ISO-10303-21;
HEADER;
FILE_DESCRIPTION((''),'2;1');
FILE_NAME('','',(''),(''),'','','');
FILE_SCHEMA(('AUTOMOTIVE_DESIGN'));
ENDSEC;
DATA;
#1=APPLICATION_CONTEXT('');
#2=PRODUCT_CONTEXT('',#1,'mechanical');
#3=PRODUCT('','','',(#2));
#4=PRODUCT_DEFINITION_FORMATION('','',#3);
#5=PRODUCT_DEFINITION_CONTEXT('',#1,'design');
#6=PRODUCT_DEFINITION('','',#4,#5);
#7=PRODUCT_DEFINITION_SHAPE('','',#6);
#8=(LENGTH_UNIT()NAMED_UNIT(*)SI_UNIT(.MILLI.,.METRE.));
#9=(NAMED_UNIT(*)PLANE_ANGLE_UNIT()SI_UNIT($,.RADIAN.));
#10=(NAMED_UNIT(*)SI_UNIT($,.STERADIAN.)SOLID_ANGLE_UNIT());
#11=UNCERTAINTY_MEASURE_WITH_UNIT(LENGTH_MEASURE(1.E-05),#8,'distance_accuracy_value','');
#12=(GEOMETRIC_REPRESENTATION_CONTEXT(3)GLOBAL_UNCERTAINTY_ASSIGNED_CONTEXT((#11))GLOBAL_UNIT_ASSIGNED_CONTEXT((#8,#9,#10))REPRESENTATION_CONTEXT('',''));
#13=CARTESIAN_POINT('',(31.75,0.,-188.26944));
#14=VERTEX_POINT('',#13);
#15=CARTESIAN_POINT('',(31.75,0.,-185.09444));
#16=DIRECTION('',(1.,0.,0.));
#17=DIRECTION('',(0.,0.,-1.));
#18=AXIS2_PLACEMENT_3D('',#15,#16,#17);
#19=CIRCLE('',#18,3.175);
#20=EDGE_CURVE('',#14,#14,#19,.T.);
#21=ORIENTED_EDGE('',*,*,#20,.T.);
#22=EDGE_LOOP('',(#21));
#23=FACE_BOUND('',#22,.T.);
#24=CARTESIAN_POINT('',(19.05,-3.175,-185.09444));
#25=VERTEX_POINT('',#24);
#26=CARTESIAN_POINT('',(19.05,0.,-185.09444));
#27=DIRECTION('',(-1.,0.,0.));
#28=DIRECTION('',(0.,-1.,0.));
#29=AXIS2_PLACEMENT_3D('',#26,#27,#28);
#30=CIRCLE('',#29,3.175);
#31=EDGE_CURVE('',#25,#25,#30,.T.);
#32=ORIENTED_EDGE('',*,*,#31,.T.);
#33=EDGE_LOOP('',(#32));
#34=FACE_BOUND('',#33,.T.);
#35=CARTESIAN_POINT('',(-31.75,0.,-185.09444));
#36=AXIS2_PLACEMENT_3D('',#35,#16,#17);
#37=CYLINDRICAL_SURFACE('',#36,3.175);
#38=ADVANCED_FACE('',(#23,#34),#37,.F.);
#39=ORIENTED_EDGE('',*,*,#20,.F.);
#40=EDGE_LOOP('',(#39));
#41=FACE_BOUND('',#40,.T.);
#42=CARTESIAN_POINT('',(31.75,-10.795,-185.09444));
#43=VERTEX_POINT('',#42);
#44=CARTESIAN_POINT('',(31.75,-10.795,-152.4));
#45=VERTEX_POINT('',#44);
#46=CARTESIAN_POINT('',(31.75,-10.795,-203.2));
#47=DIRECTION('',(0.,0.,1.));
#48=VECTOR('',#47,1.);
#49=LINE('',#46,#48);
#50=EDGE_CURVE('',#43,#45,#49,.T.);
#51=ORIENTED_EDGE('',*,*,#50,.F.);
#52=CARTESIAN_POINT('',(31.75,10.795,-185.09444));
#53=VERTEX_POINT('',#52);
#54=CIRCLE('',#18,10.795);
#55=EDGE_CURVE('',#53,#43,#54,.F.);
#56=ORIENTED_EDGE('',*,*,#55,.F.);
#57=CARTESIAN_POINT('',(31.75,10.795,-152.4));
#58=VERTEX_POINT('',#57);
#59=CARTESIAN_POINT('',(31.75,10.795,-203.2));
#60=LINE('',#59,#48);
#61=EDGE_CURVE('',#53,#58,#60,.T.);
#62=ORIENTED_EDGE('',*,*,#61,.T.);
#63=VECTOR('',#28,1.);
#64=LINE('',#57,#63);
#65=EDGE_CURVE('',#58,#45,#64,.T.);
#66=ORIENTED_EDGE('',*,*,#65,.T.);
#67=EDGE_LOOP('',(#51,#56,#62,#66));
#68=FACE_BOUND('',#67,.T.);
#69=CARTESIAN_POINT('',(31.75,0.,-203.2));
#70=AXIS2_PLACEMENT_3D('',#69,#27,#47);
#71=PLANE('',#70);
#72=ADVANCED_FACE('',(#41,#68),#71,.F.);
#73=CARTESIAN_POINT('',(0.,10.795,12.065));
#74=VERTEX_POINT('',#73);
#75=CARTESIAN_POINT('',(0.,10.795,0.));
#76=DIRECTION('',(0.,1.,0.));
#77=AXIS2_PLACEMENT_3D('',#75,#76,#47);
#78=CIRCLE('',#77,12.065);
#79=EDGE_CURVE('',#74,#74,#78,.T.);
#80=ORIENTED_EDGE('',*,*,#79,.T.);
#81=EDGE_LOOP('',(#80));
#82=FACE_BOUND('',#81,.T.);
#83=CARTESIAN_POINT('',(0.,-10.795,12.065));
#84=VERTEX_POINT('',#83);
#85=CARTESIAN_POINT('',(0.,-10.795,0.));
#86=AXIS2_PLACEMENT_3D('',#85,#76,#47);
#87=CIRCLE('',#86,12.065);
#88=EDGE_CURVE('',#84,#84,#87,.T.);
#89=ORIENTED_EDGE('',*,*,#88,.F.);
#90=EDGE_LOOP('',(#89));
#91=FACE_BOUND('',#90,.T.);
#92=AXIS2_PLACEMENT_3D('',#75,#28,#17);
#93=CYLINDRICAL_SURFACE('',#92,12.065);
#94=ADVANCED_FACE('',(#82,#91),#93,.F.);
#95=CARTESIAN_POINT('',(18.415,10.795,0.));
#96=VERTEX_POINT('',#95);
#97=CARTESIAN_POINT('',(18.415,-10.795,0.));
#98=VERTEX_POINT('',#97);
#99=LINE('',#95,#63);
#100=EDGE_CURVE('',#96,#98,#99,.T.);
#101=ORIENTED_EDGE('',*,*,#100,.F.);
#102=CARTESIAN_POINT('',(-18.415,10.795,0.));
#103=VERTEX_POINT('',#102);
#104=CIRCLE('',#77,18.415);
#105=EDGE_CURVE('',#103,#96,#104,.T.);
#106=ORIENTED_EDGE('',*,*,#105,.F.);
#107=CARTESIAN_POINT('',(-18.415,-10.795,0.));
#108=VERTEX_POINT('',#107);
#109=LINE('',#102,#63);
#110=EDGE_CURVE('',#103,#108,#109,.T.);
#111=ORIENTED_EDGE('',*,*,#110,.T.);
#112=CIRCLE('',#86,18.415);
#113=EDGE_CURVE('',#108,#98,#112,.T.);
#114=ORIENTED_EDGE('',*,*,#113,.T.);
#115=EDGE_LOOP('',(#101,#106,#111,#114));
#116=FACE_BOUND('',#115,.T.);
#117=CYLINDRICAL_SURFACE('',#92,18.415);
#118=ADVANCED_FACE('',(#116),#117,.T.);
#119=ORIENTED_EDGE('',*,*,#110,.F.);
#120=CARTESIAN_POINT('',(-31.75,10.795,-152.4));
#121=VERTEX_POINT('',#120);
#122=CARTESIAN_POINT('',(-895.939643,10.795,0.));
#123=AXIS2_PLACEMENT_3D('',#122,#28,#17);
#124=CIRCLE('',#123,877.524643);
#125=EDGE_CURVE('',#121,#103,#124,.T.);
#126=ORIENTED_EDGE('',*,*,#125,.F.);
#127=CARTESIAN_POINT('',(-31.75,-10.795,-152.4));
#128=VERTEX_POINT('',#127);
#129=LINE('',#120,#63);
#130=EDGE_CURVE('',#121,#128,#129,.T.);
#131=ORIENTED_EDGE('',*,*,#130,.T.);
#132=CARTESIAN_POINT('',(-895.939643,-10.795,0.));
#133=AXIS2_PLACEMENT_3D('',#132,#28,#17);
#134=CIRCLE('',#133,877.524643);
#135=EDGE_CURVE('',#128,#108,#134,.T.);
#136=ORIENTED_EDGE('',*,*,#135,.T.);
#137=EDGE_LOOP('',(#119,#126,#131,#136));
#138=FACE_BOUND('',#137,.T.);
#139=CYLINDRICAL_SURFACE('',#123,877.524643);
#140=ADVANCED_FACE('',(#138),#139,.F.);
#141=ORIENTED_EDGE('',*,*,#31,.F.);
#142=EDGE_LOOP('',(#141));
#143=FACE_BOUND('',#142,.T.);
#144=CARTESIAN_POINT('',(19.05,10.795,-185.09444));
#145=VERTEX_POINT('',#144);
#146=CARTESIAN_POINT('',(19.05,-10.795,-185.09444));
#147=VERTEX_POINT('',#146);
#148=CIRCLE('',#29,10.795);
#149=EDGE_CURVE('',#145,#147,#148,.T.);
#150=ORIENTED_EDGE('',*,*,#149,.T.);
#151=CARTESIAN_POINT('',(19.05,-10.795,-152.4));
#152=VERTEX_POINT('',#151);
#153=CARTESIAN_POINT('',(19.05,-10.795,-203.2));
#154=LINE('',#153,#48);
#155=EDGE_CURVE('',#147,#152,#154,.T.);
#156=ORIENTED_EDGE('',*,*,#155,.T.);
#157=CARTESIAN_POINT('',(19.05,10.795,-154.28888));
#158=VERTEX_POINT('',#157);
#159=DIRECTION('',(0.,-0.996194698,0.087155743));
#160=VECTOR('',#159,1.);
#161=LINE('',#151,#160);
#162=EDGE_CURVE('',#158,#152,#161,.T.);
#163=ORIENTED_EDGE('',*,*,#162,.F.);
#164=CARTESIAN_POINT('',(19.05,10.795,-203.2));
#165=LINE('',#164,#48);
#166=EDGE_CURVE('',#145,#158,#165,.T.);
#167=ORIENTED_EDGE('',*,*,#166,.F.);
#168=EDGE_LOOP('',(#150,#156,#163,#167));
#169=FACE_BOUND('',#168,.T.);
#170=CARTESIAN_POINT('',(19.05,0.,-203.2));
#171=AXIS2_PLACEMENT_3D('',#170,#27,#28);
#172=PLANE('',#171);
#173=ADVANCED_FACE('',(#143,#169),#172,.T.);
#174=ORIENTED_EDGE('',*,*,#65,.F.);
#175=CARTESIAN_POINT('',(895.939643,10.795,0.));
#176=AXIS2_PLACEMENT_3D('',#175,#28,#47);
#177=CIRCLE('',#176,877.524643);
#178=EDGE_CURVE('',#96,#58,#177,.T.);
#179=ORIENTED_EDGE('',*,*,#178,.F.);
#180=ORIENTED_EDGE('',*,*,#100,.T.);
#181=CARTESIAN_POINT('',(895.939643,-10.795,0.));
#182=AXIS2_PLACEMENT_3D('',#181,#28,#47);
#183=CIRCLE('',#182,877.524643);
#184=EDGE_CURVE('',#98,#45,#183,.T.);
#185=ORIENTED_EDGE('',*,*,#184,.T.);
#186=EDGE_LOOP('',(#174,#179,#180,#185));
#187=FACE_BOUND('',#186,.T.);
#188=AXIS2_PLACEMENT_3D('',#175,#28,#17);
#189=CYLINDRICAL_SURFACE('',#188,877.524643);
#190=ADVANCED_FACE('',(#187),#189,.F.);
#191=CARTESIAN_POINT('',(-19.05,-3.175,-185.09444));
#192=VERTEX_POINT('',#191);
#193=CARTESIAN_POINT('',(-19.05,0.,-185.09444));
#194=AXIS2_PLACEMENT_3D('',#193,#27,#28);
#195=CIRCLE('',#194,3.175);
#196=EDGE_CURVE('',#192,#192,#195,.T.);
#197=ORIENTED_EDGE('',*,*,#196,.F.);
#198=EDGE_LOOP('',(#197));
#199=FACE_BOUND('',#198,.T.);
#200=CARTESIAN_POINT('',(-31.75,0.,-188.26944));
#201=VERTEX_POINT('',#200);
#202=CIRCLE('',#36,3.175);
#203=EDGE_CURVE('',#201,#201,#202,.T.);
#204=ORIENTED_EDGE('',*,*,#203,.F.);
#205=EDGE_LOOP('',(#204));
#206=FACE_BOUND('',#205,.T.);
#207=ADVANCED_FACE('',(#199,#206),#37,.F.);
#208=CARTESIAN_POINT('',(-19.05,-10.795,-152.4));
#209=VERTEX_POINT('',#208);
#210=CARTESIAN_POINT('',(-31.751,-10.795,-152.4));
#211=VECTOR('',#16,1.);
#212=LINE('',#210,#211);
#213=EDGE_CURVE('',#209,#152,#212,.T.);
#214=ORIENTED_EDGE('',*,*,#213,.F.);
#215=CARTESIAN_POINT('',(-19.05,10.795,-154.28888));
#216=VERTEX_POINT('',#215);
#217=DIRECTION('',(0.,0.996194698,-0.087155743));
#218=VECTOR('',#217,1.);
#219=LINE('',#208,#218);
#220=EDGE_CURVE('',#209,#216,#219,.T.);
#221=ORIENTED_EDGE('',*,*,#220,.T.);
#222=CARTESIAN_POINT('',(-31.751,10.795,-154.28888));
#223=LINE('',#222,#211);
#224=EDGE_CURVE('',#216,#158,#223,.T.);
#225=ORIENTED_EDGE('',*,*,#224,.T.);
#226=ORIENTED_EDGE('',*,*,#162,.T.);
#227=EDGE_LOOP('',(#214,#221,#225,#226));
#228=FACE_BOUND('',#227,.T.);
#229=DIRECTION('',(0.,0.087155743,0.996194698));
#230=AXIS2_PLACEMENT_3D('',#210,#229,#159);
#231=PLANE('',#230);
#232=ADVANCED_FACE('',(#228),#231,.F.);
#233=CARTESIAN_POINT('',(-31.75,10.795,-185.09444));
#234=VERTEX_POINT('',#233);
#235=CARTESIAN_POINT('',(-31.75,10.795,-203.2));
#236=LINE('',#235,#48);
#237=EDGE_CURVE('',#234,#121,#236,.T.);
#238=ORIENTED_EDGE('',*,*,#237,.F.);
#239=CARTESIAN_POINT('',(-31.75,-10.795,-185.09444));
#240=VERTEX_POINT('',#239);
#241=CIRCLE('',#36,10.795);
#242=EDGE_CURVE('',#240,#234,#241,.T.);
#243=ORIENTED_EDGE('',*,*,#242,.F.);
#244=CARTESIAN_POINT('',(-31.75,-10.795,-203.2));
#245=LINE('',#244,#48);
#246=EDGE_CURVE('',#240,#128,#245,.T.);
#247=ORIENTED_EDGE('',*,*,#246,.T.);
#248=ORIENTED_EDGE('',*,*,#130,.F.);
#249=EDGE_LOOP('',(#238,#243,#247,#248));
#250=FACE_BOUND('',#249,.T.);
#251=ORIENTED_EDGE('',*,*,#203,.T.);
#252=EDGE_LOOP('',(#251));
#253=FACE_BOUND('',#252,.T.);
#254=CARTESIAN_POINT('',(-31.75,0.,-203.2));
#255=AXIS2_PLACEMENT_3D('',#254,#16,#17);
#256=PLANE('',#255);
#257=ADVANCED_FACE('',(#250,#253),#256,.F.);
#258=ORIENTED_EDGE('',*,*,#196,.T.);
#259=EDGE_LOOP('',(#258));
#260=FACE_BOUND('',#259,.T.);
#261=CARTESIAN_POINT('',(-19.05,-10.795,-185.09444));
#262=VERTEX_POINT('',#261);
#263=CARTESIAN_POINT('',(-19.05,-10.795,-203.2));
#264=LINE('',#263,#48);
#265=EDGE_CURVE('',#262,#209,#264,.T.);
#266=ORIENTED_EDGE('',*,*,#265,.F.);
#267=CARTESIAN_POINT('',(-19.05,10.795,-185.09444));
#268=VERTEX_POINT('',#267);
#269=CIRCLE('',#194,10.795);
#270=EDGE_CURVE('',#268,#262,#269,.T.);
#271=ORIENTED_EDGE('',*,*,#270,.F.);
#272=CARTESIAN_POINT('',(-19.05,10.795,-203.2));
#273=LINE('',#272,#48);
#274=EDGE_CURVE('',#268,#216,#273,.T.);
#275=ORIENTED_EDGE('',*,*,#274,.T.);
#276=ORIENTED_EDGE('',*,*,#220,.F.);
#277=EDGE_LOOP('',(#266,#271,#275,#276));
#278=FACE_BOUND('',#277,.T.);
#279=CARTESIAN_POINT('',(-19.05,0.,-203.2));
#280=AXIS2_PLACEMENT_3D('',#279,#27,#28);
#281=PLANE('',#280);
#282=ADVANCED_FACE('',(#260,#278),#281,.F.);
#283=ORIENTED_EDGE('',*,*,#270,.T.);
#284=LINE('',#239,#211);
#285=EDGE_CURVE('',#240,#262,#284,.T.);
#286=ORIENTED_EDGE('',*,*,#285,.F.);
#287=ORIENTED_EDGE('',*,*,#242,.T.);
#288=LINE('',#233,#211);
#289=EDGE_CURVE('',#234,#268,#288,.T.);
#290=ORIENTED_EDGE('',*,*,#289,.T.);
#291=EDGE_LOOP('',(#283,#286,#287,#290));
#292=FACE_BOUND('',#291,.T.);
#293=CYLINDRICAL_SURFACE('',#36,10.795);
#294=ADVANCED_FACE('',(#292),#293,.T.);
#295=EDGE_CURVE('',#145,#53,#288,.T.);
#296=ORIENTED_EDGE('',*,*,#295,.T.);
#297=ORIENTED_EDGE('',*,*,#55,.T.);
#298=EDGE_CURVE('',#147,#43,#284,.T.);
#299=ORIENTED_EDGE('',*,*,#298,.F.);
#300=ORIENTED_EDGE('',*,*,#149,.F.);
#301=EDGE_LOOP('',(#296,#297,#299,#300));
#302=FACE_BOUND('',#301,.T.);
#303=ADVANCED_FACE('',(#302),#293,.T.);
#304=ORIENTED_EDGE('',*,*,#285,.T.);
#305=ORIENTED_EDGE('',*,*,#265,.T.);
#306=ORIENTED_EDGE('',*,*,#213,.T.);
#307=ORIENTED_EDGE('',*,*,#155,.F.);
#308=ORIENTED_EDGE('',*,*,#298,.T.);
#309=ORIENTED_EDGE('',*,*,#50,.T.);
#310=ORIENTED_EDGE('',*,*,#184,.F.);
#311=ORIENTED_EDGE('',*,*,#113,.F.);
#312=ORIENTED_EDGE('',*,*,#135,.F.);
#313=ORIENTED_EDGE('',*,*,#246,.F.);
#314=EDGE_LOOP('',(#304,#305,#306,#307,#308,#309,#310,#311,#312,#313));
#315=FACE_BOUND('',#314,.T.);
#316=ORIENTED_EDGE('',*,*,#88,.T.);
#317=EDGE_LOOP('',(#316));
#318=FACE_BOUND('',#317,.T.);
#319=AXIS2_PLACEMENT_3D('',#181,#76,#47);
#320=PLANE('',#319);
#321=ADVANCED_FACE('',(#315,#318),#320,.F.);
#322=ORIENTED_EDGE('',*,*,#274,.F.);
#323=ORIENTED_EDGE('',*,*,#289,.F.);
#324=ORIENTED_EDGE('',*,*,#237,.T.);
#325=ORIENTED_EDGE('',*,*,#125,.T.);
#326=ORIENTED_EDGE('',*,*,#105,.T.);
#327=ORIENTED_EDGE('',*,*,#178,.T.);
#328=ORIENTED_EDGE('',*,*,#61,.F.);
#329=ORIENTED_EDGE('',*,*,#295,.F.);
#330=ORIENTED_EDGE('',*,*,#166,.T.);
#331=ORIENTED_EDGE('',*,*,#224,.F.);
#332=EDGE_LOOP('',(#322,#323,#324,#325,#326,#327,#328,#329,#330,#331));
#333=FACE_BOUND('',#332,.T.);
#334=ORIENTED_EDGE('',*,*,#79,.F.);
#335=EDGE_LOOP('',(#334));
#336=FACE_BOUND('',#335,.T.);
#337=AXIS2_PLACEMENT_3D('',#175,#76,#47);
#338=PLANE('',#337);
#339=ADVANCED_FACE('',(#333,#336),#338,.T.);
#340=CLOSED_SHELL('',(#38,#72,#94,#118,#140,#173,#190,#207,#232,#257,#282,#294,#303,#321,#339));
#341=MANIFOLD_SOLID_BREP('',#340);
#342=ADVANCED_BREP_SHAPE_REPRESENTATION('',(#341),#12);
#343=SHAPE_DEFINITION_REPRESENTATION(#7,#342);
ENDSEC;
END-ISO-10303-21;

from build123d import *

# Parameters (mm, degrees)
SKETCH1_R               = 12.065
BOSS_EXTRUDE1_DEPTH     = 10.795
SKETCH5_W               = 38.1
SKETCH5_H               = 21.59
BOSS_EXTRUDE2_DEPTH     = 101.6
CUT_EXTRUDE1_REACH      = 261.255
SKETCH6_R               = 3.175
SKETCH4_W               = 12.7
SKETCH4_H               = 21.59
BOSS_EXTRUDE3_DEPTH     = 50.8
CUT_EXTRUDE2_DEPTH      = 210.73176208
CUT_EXTRUDE2_DEPTH_BACK = 210.73176208
SKETCH6_2_R             = 3.175
CUT_EXTRUDE3_DEPTH      = 214.164307578
CUT_EXTRUDE3_DEPTH_BACK = 214.164307578


with BuildPart() as part:
    # Sketch1 → Boss-Extrude1 (new, symmetric)
    with BuildSketch(Plane(origin=(0, 0, 0), x_dir=(1, 0, 0), z_dir=(0, 1, 0))):
        with BuildLine():
            Line((-31.75, 152.4), (31.75, 152.4))
            ThreePointArc((31.75, 152.4), (21.755106695, 76.491146914), (18.415, 0))
            ThreePointArc((18.415, 0), (0, -18.415), (-18.415, 0))
            ThreePointArc((-18.415, 0), (-21.755106695, 76.491146914), (-31.75, 152.4))
        make_face()
        Circle(SKETCH1_R, mode=Mode.SUBTRACT)
    extrude(amount=BOSS_EXTRUDE1_DEPTH, both=True)

    # Sketch5 → Boss-Extrude2 (add)
    with BuildSketch(Plane(origin=(0, 0, -152.4), x_dir=(-1, 0, 0), z_dir=(0, 0, -1))):
        Rectangle(SKETCH5_W, SKETCH5_H)
    extrude(amount=BOSS_EXTRUDE2_DEPTH)

    # Sketch6 → Cut-Extrude1 (cut, up to next)
    with BuildSketch(Plane(origin=(19.05, 0, 0), x_dir=(0, 0, -1), z_dir=(1, 0, 0)), mode=Mode.PRIVATE) as cut_extrude1_sk1:
        Polygon((152.4, -10.795), (154.288880246, 10.795), (254, 10.795), (254, -10.795), align=None)
        with Locations((185.094440123, 0)):
            Circle(SKETCH6_R, mode=Mode.SUBTRACT)
    cut_extrude1_tool1 = extrude(cut_extrude1_sk1.sketch, amount=-CUT_EXTRUDE1_REACH, mode=Mode.PRIVATE) & part.part
    add(cut_extrude1_tool1.solids().sort_by_distance((19.05, -0.034262, -203.945458))[0], mode=Mode.SUBTRACT)


with BuildPart() as cut_extrude1_piece_1:
    # of the separate pieces the step leaves, piece 1, a body of its own (cut_extrude1_pieces)
    add(part.part.solids().sort_by_distance((-31.75, -10.795, -152.4))[0])

    # Sketch4 → Boss-Extrude3 (add)
    with BuildSketch(Plane(origin=(0, 0, -152.4), x_dir=(-1, 0, 0), z_dir=(0, 0, -1))):
        with Locations((-25.4, 0)):
            Rectangle(SKETCH4_W, SKETCH4_H)
        with Locations((25.4, 0)):
            Rectangle(SKETCH4_W, SKETCH4_H)
    extrude(amount=BOSS_EXTRUDE3_DEPTH)


with BuildPart() as cut_extrude1_piece_2:
    # of the separate pieces the step leaves, piece 2, a body of its own (cut_extrude1_pieces)
    add(part.part.solids().sort_by_distance((-19.05, 0, -188.269440123))[0])


with BuildPart() as cut_extrude2_tool:
    # Sketch6<2> → Cut-Extrude2 (new, two sides: drawn at the far end of the back side and taken through both)
    with BuildSketch(Plane(origin=(19.05, 0, 0), x_dir=(0, 0, -1), z_dir=(1, 0, 0)).offset(-CUT_EXTRUDE2_DEPTH_BACK)):
        with Locations((185.094440123, 0)):
            Circle(SKETCH6_2_R)
    extrude(amount=CUT_EXTRUDE2_DEPTH + CUT_EXTRUDE2_DEPTH_BACK)


with BuildPart() as cut_extrude1_piece_1_1:
    add(cut_extrude1_piece_1.part)

    # Cut-Extrude2: cut by cut_extrude2_tool
    add(cut_extrude2_tool.part, mode=Mode.SUBTRACT)

    # Sketch7 → Cut-Extrude3 (cut, two sides: drawn at the far end of the back side and taken through both)
    with BuildSketch(Plane(origin=(31.75, 0, 0), x_dir=(0, 0, -1), z_dir=(1, 0, 0)).offset(-CUT_EXTRUDE3_DEPTH_BACK)):
        with BuildLine():
            Line((203.2, 10.795), (185.094440123, 10.795))
            ThreePointArc((185.094440123, 10.795), (192.727657826, 7.633217703), (195.889440123, 0))
            ThreePointArc((195.889440123, 0), (192.727657826, -7.633217703), (185.094440123, -10.795))
            Line((185.094440123, -10.795), (203.2, -10.795))
            Line((203.2, -10.795), (203.2, 10.795))
        make_face()
    extrude(amount=CUT_EXTRUDE3_DEPTH + CUT_EXTRUDE3_DEPTH_BACK, mode=Mode.SUBTRACT)


with BuildPart() as cut_extrude1_piece_2_1:
    add(cut_extrude1_piece_2.part)

    # Cut-Extrude2: cut by cut_extrude2_tool
    add(cut_extrude2_tool.part, mode=Mode.SUBTRACT)


solid = cut_extrude1_piece_1_1.part
